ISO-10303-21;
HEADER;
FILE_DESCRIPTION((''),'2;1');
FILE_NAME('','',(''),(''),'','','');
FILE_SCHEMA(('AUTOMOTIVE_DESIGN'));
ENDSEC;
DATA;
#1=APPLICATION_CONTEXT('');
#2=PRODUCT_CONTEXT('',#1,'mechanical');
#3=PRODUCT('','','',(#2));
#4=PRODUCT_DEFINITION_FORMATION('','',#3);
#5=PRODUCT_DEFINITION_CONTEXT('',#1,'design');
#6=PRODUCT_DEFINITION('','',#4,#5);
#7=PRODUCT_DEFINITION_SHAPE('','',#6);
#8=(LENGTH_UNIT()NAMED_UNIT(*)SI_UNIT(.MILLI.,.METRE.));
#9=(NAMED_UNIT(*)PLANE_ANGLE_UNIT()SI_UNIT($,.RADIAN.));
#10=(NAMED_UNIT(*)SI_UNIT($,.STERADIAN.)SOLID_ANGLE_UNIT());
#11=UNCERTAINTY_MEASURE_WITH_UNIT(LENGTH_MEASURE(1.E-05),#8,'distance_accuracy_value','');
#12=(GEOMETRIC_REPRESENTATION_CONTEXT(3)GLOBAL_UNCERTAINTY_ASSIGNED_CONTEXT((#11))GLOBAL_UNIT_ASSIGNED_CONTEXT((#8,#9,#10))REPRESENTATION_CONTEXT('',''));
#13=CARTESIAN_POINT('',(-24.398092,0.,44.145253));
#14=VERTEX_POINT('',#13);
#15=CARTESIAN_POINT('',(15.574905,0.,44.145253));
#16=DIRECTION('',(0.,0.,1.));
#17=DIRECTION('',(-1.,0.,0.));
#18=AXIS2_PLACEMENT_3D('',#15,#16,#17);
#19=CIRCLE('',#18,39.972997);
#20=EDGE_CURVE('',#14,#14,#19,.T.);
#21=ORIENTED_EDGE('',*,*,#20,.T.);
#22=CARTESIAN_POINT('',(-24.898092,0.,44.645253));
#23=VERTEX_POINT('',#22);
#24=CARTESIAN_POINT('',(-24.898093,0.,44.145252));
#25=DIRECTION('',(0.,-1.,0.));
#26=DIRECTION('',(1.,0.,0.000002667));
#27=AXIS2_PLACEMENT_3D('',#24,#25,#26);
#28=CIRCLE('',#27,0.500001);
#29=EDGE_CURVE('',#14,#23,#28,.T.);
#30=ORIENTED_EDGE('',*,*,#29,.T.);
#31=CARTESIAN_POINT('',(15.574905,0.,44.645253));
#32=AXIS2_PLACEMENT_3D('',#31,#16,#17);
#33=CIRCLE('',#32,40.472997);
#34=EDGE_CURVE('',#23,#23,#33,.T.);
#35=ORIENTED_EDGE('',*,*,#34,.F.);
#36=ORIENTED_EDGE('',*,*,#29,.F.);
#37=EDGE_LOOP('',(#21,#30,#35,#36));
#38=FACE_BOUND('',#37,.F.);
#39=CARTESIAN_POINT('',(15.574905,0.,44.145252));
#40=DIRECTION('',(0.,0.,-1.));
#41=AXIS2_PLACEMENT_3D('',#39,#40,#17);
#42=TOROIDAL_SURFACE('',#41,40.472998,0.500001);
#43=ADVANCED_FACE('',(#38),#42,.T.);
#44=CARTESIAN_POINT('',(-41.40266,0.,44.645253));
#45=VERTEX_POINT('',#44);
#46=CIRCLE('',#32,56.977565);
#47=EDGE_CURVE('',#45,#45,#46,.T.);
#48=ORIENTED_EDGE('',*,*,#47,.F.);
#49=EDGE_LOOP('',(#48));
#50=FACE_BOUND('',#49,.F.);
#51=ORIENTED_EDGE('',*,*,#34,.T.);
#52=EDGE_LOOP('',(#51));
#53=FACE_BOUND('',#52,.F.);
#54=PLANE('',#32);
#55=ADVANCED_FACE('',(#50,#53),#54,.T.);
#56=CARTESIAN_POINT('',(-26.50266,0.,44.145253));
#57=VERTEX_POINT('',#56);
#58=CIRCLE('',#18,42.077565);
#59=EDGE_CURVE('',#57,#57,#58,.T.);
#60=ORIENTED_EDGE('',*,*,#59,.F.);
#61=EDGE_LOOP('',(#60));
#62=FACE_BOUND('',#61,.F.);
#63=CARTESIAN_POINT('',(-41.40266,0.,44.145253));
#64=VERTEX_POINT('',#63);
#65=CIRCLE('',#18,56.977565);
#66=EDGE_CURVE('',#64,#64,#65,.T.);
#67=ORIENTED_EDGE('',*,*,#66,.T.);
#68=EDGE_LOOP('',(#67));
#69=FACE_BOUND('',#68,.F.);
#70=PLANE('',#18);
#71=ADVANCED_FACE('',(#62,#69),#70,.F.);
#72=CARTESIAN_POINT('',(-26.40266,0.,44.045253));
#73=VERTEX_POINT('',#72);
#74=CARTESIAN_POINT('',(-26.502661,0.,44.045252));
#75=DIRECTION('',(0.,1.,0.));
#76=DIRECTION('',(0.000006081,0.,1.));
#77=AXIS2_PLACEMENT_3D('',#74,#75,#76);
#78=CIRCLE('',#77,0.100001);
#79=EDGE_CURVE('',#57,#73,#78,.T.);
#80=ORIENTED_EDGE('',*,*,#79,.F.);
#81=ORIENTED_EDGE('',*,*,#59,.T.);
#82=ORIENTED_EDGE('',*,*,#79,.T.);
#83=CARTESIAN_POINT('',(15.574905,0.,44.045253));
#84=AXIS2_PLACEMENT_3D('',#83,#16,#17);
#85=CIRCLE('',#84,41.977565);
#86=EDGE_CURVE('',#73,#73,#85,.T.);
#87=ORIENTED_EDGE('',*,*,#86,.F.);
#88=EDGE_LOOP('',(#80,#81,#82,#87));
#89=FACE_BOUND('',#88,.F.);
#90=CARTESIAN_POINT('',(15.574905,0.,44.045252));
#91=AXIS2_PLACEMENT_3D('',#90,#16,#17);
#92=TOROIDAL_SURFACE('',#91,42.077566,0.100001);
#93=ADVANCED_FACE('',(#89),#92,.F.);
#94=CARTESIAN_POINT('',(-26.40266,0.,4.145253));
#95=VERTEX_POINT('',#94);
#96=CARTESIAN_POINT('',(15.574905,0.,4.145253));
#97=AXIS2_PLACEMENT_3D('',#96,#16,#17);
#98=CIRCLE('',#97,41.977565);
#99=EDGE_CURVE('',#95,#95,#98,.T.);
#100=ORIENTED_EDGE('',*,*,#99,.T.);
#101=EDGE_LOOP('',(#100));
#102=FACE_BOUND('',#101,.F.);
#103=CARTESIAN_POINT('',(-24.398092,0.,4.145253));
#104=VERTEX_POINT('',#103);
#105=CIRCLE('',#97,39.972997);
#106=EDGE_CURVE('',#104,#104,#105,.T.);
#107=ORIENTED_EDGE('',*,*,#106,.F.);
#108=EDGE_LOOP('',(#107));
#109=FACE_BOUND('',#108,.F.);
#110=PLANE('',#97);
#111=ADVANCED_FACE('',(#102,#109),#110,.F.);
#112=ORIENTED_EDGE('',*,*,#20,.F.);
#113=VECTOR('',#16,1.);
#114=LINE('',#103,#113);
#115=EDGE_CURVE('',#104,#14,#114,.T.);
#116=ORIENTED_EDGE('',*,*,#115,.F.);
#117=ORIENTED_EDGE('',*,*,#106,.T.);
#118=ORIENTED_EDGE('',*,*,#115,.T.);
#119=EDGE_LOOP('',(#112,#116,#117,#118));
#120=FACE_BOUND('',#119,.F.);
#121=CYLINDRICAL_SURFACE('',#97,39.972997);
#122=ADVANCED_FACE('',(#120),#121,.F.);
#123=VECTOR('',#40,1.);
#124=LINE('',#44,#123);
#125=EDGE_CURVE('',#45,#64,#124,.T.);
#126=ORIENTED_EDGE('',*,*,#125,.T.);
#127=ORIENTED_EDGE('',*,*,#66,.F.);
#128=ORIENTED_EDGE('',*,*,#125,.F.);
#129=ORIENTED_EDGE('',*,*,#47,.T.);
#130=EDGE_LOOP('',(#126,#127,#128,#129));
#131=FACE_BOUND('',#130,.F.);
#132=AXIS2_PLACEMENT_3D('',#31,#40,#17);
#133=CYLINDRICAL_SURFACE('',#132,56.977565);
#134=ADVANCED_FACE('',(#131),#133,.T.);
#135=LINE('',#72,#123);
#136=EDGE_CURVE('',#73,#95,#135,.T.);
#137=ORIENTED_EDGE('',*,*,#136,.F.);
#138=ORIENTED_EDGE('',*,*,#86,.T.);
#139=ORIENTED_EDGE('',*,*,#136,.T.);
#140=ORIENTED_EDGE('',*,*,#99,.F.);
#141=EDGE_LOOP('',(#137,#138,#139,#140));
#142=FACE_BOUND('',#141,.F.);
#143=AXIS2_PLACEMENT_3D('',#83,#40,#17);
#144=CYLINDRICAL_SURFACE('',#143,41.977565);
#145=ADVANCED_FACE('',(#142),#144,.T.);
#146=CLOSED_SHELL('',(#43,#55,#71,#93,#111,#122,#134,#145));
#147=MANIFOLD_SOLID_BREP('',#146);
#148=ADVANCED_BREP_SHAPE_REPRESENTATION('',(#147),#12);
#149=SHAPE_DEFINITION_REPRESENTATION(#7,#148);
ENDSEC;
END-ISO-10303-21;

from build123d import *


with BuildPart() as f1:
    # F0 (on Front) → F1 (revolve)
    with BuildSketch(Plane.XZ):
        with BuildLine():
            Line((-24.898092, 44.645253), (-41.40266, 44.645253))
            Line((-41.40266, 44.645253), (-41.40266, 44.145253))
            Line((-41.40266, 44.145253), (-26.50266, 44.145253))
            ThreePointArc((-26.50266, 44.145253), (-26.43195, 44.115964), (-26.40266, 44.045253))
            Line((-26.40266, 44.045253), (-26.40266, 4.145253))
            Line((-26.40266, 4.145253), (-24.398092, 4.145253))
            Line((-24.398092, 4.145253), (-24.398092, 44.145253))
            ThreePointArc((-24.398092, 44.145253), (-24.544539, 44.498806), (-24.898092, 44.645253))
        make_face()
    revolve(axis=Axis((15.574905, 0, 17.308091), (0, 0, 1)))


solid = f1.part
